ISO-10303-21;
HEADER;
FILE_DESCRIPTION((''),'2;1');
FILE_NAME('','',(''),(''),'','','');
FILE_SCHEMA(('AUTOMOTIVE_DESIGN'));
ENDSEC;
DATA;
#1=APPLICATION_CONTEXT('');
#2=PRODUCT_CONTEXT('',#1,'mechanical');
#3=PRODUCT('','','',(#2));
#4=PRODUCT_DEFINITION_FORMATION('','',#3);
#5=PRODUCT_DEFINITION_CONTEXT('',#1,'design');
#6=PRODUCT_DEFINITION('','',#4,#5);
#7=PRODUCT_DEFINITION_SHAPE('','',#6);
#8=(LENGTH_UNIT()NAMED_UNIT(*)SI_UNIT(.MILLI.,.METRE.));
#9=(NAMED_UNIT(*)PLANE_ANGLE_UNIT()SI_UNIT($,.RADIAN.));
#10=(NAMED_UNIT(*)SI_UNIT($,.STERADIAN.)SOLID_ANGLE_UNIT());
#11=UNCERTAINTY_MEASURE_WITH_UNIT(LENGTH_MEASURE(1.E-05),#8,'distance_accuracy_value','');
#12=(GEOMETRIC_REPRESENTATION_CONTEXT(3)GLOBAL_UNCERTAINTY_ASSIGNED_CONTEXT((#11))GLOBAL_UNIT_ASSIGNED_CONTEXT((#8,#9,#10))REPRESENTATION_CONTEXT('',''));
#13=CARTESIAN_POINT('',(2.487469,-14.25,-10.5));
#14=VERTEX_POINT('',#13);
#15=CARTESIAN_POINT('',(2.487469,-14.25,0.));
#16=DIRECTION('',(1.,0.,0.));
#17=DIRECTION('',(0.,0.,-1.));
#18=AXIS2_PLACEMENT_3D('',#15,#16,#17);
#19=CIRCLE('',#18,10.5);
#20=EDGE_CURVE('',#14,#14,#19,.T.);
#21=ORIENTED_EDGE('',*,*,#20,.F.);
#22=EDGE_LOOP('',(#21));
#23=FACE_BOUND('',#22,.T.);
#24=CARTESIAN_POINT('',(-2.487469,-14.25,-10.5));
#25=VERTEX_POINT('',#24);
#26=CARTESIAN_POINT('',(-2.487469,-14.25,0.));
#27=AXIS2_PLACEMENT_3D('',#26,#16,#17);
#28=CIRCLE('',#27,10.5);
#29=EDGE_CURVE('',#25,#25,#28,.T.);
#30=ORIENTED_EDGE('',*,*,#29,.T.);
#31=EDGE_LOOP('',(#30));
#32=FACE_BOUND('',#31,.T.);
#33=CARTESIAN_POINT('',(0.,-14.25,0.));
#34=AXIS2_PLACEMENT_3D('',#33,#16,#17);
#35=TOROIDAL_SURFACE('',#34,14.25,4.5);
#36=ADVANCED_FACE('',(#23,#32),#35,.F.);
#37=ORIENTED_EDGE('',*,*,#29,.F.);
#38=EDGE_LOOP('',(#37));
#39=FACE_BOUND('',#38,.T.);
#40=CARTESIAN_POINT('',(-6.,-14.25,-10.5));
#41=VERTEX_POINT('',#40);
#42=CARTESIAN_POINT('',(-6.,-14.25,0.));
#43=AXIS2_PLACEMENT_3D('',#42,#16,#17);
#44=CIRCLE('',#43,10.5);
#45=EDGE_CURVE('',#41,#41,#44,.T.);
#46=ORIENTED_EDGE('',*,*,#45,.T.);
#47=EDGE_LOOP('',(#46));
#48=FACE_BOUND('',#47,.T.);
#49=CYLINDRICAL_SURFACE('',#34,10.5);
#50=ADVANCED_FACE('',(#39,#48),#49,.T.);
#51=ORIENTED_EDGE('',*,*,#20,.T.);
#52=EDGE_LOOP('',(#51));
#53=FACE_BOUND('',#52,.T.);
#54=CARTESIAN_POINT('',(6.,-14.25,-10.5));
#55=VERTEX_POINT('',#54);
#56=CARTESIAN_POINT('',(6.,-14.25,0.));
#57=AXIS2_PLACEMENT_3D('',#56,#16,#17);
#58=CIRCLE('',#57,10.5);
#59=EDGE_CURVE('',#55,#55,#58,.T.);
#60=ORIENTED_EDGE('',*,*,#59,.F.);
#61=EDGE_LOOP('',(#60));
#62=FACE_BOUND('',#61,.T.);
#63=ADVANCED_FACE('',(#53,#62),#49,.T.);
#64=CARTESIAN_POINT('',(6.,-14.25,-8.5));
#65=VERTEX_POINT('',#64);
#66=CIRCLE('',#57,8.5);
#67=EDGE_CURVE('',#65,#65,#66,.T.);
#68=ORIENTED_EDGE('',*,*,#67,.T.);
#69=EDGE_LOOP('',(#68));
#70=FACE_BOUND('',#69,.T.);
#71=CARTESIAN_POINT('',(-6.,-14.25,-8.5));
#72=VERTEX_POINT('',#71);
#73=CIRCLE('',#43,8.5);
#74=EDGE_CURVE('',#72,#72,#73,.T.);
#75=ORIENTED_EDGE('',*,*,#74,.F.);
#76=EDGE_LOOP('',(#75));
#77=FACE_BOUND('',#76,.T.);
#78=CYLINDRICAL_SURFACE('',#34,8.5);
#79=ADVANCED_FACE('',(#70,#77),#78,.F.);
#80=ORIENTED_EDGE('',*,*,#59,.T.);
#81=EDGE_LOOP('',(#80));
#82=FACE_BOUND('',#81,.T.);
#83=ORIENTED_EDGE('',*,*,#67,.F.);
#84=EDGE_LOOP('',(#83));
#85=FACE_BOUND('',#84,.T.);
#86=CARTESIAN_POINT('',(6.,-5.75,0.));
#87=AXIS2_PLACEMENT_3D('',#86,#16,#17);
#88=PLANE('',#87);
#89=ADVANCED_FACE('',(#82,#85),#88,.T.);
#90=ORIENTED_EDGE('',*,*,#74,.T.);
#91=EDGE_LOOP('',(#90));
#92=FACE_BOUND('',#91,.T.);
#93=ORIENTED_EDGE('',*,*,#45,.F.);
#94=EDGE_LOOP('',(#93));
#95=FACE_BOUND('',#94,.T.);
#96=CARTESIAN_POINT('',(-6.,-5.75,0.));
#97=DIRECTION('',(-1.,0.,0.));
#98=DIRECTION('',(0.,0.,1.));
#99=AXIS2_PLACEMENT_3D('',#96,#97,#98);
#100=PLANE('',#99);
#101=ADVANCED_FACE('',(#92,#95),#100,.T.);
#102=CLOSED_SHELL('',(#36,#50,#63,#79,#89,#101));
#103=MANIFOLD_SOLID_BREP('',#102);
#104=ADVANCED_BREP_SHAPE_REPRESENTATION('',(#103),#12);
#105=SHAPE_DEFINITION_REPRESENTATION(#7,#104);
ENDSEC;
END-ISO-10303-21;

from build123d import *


with BuildPart() as part:
    # 草图1 → 旋转1 (revolve)
    with BuildSketch(Plane.XY):
        with BuildLine():
            Line((6, -5.75), (-6, -5.75))
            Line((-6, -5.75), (-6, -3.75))
            Line((-6, -3.75), (-2.487468593, -3.75))
            ThreePointArc((-2.487468593, -3.75), (0, -4.5), (2.487468593, -3.75))
            Line((2.487468593, -3.75), (6, -3.75))
            Line((6, -3.75), (6, -5.75))
        make_face()
    revolve(axis=Axis((0, -14.25, 0), (-1, 0, 0)))


solid = part.part
